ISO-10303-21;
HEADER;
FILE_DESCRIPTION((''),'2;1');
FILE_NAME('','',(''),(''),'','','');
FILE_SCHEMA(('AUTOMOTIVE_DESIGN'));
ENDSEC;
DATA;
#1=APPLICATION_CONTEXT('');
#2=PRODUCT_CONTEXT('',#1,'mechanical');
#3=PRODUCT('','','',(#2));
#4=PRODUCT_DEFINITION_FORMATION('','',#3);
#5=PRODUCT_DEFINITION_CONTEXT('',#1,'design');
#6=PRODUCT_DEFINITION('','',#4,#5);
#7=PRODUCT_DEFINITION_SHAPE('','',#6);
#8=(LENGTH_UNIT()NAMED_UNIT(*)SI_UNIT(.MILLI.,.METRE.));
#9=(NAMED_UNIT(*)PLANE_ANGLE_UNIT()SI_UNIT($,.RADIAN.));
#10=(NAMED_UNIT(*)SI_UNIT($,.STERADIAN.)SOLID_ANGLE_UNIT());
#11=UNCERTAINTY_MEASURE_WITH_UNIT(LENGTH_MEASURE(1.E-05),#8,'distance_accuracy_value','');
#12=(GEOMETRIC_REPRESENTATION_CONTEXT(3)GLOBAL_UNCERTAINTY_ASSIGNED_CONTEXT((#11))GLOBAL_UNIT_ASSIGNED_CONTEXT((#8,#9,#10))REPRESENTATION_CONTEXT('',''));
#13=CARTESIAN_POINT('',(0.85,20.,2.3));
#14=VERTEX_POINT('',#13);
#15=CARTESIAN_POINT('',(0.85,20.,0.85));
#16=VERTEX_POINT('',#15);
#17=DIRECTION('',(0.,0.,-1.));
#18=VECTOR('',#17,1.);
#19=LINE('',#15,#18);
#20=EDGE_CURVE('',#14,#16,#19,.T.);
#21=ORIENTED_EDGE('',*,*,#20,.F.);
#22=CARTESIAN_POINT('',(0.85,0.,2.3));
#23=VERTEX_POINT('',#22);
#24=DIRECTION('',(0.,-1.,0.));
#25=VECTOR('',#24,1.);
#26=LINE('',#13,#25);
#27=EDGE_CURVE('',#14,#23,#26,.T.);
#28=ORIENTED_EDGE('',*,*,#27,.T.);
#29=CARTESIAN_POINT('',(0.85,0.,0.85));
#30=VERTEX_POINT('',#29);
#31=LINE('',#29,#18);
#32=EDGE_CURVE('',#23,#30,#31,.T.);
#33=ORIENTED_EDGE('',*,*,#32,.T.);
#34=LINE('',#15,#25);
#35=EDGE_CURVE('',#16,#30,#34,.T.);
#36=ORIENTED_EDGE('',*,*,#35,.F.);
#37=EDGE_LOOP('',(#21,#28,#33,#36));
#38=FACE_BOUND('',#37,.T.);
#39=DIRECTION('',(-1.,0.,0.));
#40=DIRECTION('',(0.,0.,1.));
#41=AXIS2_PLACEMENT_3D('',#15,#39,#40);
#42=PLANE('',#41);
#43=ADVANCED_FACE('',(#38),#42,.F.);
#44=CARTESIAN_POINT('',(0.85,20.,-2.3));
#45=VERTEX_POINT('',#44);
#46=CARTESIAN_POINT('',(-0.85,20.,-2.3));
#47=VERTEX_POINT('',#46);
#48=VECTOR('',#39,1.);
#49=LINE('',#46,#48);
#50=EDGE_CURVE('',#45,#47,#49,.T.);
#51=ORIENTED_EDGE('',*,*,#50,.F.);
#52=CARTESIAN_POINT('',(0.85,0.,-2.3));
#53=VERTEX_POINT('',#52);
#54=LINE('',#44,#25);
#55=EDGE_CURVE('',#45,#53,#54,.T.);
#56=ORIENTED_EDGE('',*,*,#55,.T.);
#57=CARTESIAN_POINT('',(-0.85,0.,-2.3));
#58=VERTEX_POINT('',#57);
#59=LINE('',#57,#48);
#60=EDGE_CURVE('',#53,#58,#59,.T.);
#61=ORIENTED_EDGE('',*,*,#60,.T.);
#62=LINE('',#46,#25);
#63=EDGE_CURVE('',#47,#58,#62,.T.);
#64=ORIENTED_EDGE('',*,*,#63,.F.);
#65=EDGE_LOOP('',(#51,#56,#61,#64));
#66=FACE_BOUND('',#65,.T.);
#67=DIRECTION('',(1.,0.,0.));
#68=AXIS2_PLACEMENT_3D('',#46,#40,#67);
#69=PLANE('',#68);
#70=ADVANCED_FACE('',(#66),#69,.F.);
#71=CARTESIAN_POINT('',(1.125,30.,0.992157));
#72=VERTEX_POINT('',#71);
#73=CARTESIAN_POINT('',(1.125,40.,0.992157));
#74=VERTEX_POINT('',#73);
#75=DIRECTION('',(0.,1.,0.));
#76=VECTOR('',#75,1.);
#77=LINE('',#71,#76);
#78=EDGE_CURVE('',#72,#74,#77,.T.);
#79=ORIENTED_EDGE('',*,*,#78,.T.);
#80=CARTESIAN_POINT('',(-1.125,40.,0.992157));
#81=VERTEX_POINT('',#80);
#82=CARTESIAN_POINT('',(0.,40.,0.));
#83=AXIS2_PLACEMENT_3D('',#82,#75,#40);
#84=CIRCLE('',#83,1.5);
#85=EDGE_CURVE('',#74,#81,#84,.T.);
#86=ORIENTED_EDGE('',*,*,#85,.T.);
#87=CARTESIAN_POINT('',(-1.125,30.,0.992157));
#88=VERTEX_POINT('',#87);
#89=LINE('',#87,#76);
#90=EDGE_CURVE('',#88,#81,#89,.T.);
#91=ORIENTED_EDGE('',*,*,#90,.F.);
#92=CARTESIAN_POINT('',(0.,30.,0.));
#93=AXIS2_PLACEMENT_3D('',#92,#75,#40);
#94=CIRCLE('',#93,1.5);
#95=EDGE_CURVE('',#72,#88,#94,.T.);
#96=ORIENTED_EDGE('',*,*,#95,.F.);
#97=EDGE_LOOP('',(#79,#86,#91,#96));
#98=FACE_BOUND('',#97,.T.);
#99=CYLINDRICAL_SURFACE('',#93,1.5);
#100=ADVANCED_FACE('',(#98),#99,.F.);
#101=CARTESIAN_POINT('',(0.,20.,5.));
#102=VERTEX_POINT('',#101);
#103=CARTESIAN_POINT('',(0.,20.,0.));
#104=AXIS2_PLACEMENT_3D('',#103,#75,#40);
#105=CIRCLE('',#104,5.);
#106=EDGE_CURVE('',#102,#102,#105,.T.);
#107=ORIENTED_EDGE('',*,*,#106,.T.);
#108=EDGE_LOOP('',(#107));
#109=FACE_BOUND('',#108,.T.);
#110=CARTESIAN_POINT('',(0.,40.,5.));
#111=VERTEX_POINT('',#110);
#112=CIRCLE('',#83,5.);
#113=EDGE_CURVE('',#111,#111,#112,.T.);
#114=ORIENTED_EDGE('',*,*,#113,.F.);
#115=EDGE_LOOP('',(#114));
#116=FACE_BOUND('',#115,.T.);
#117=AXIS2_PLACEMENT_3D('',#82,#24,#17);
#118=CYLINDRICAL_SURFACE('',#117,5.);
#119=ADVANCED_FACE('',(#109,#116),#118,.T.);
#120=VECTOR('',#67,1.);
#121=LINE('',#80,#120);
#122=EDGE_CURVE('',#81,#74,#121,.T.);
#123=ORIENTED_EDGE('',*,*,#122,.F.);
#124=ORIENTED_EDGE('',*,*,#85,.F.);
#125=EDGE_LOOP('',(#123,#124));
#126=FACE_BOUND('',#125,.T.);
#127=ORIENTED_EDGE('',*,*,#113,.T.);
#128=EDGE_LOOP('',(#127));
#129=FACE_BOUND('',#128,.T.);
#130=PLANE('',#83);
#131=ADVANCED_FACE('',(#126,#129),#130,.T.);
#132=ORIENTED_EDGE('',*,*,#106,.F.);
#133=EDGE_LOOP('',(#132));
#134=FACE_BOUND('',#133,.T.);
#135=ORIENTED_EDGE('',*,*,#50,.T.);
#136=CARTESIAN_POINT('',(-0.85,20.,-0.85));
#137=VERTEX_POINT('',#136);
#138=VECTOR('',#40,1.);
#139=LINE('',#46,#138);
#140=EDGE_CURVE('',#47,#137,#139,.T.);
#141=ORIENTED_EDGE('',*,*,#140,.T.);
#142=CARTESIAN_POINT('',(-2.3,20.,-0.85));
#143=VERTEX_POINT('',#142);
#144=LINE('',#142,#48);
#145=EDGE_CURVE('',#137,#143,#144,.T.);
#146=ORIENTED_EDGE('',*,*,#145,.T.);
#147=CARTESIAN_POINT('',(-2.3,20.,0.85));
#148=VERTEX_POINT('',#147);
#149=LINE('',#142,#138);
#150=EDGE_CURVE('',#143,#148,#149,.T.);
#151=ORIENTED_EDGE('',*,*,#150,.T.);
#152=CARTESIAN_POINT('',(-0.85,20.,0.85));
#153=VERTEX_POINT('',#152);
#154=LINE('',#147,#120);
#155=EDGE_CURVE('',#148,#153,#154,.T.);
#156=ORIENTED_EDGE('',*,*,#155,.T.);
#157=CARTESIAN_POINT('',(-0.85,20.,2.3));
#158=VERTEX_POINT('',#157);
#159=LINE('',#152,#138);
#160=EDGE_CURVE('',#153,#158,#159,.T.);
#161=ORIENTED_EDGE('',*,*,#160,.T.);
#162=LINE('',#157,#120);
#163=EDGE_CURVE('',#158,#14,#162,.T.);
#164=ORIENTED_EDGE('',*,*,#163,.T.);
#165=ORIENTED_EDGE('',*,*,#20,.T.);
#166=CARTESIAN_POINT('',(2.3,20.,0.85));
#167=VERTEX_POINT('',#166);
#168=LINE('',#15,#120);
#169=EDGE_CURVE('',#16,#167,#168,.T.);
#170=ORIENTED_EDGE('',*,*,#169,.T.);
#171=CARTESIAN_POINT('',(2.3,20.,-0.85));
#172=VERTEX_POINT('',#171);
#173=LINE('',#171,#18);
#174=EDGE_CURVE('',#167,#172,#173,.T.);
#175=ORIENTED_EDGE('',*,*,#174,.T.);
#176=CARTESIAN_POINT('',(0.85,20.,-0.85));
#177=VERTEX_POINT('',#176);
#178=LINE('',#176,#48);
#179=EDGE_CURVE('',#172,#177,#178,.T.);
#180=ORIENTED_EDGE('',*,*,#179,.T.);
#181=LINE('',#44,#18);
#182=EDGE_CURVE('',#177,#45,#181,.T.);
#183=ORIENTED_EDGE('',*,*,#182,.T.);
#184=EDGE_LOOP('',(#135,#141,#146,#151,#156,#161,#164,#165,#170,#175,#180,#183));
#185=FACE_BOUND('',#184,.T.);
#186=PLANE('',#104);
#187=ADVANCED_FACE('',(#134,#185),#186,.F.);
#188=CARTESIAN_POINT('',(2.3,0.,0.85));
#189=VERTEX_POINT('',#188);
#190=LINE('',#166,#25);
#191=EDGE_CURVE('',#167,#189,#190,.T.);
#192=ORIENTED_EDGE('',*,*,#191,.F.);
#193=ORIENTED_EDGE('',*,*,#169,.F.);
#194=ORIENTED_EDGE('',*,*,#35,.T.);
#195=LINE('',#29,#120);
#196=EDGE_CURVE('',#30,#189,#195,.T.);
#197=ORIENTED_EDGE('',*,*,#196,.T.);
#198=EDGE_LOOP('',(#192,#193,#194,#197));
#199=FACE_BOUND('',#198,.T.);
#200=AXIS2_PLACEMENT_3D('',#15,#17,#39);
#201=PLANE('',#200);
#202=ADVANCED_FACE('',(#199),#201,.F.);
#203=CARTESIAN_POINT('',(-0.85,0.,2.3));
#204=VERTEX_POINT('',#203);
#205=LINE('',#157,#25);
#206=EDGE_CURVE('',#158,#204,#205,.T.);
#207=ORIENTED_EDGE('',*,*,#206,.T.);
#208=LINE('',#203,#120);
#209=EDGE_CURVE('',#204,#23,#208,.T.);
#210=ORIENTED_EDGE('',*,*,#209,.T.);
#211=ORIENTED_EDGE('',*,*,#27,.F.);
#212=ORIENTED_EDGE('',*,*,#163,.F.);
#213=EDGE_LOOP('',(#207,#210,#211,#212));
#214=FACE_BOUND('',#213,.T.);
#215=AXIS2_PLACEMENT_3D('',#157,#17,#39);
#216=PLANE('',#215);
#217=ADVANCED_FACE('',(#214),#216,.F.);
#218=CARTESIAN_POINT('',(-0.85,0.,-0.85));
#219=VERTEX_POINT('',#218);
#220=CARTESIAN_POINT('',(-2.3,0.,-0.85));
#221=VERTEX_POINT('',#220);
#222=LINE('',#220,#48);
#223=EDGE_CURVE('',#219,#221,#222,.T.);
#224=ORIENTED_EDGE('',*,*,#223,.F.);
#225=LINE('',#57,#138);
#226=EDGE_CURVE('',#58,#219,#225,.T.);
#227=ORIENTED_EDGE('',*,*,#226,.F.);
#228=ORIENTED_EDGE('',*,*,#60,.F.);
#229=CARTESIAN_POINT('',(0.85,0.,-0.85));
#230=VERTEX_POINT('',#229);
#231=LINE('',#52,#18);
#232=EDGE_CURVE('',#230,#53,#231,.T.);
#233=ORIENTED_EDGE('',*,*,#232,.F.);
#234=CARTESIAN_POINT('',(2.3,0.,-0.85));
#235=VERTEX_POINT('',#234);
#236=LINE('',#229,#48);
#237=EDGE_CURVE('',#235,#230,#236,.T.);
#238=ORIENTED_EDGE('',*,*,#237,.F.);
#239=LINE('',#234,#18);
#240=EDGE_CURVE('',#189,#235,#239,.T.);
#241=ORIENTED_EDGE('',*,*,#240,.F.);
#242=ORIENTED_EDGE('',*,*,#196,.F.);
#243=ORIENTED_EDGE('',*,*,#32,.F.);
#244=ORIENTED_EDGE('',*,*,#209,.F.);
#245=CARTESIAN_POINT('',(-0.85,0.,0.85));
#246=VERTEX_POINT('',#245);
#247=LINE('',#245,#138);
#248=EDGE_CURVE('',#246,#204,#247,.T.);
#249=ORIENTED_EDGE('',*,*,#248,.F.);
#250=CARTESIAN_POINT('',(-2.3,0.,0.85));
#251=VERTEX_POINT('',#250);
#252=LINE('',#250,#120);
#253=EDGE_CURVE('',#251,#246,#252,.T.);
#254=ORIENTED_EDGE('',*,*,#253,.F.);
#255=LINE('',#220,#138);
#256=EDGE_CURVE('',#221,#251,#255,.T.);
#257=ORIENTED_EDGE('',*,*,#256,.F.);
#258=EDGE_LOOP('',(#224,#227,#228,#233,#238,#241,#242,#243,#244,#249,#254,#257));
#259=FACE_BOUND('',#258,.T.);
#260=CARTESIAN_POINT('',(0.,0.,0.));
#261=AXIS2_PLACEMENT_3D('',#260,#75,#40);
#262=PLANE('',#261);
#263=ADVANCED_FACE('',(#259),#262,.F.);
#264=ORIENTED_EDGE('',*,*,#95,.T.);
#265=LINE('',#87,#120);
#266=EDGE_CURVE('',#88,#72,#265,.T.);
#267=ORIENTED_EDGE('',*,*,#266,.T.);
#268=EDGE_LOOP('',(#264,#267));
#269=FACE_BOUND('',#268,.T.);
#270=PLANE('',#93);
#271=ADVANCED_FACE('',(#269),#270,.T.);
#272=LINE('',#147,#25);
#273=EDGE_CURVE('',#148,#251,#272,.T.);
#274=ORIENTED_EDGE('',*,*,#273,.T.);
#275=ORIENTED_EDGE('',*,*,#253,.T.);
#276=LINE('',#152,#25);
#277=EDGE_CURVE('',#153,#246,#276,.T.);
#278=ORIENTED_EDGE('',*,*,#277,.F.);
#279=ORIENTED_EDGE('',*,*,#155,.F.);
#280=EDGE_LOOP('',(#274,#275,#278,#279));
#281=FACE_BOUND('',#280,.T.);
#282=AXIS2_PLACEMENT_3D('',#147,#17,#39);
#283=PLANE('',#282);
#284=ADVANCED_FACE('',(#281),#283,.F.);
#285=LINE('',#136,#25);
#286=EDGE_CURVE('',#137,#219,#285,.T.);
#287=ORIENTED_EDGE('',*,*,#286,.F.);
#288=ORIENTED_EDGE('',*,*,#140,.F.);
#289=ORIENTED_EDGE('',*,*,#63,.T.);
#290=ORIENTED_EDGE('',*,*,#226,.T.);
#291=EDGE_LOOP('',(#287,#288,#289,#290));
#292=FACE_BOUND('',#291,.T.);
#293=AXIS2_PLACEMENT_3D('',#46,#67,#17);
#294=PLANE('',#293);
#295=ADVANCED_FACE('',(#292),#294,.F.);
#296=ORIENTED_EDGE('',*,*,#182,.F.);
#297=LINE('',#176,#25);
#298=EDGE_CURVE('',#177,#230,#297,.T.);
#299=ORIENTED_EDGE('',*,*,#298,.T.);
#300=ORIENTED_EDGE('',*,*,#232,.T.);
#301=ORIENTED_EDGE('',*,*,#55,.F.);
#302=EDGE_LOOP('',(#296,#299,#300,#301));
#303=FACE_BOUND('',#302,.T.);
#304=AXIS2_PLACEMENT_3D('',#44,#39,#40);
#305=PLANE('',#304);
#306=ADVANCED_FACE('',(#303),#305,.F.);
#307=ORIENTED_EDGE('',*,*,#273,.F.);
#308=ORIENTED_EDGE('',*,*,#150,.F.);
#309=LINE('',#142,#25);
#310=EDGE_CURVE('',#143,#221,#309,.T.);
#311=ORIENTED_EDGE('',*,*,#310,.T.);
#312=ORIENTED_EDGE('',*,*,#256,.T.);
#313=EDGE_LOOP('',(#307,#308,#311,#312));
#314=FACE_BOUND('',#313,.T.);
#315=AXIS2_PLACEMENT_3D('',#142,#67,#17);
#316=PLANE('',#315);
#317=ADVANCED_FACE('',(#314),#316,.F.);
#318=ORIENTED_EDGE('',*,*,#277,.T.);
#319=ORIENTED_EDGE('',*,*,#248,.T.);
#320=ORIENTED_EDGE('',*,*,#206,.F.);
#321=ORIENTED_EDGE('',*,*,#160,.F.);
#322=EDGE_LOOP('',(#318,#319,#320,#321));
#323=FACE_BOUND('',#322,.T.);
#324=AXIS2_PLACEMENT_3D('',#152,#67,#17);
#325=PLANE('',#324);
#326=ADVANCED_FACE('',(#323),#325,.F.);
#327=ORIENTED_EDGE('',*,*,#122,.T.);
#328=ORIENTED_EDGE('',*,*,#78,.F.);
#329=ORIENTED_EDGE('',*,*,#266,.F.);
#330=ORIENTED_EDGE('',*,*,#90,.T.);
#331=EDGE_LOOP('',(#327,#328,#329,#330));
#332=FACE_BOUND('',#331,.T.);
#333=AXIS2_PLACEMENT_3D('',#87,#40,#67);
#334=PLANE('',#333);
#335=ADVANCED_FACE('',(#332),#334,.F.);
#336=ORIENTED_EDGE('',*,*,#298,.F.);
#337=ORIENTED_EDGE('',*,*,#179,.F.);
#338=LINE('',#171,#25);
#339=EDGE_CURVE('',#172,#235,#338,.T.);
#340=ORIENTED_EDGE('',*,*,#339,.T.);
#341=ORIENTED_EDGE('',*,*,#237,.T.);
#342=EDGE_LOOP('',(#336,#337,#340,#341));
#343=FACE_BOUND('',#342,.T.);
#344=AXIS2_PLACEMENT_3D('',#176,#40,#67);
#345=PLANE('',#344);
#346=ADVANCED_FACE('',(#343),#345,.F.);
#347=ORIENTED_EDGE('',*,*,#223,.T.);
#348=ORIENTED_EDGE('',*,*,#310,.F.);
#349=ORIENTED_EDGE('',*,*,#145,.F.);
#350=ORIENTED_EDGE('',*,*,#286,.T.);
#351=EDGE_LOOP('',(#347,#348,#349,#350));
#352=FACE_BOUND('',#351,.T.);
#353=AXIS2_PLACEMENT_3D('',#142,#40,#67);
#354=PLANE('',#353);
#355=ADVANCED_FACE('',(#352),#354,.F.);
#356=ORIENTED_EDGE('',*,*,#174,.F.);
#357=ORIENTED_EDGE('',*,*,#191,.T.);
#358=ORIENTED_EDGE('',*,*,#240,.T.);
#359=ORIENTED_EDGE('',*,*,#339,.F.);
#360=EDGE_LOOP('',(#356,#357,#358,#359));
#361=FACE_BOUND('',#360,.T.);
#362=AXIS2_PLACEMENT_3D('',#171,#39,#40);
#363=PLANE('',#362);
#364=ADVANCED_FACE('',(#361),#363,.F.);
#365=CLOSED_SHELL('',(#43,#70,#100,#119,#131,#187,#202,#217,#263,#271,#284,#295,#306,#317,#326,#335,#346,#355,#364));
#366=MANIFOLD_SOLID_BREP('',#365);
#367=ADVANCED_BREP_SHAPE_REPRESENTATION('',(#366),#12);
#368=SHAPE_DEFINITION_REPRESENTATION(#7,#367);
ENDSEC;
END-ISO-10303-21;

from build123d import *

# Parameters (mm, degrees)
BOSS_EXTRUDE1_DEPTH = 20
SKETCH3_R           = 5
BOSS_EXTRUDE2_DEPTH = 20
CUT_EXTRUDE1_DEPTH  = 10


with BuildPart() as part:
    # Sketch2 → Boss-Extrude1 (new body)
    with BuildSketch(Plane(origin=(0, 0, 0), x_dir=(1, 0, 0), z_dir=(0, 1, 0))):
        Polygon((-0.85, 2.3), (0.85, 2.3), (0.85, 0.85), (2.3, 0.85), (2.3, -0.85), (0.85, -0.85), (0.85, -2.3), (-0.85, -2.3), (-0.85, -0.85), (-2.3, -0.85), (-2.3, 0.85), (-0.85, 0.85), align=None)
    extrude(amount=BOSS_EXTRUDE1_DEPTH)

    # Sketch3 → Boss-Extrude2 (add)
    with BuildSketch(Plane(origin=(0, 20, 0), x_dir=(1, 0, 0), z_dir=(0, 1, 0))):
        with Locations(Location((0, 0, 0), (0, 0, 270))):
            Circle(SKETCH3_R)
    extrude(amount=BOSS_EXTRUDE2_DEPTH)

    # Sketch4 → Cut-Extrude1 (cut)
    with BuildSketch(Plane(origin=(0, 40, 0), x_dir=(1, 0, 0), z_dir=(0, 1, 0))):
        with BuildLine():
            Line((-1.125, -0.992156742), (1.125, -0.992156742))
            ThreePointArc((1.125, -0.992156742), (0, 1.5), (-1.125, -0.992156742))
        make_face()
    extrude(amount=-CUT_EXTRUDE1_DEPTH, mode=Mode.SUBTRACT)


solid = part.part
